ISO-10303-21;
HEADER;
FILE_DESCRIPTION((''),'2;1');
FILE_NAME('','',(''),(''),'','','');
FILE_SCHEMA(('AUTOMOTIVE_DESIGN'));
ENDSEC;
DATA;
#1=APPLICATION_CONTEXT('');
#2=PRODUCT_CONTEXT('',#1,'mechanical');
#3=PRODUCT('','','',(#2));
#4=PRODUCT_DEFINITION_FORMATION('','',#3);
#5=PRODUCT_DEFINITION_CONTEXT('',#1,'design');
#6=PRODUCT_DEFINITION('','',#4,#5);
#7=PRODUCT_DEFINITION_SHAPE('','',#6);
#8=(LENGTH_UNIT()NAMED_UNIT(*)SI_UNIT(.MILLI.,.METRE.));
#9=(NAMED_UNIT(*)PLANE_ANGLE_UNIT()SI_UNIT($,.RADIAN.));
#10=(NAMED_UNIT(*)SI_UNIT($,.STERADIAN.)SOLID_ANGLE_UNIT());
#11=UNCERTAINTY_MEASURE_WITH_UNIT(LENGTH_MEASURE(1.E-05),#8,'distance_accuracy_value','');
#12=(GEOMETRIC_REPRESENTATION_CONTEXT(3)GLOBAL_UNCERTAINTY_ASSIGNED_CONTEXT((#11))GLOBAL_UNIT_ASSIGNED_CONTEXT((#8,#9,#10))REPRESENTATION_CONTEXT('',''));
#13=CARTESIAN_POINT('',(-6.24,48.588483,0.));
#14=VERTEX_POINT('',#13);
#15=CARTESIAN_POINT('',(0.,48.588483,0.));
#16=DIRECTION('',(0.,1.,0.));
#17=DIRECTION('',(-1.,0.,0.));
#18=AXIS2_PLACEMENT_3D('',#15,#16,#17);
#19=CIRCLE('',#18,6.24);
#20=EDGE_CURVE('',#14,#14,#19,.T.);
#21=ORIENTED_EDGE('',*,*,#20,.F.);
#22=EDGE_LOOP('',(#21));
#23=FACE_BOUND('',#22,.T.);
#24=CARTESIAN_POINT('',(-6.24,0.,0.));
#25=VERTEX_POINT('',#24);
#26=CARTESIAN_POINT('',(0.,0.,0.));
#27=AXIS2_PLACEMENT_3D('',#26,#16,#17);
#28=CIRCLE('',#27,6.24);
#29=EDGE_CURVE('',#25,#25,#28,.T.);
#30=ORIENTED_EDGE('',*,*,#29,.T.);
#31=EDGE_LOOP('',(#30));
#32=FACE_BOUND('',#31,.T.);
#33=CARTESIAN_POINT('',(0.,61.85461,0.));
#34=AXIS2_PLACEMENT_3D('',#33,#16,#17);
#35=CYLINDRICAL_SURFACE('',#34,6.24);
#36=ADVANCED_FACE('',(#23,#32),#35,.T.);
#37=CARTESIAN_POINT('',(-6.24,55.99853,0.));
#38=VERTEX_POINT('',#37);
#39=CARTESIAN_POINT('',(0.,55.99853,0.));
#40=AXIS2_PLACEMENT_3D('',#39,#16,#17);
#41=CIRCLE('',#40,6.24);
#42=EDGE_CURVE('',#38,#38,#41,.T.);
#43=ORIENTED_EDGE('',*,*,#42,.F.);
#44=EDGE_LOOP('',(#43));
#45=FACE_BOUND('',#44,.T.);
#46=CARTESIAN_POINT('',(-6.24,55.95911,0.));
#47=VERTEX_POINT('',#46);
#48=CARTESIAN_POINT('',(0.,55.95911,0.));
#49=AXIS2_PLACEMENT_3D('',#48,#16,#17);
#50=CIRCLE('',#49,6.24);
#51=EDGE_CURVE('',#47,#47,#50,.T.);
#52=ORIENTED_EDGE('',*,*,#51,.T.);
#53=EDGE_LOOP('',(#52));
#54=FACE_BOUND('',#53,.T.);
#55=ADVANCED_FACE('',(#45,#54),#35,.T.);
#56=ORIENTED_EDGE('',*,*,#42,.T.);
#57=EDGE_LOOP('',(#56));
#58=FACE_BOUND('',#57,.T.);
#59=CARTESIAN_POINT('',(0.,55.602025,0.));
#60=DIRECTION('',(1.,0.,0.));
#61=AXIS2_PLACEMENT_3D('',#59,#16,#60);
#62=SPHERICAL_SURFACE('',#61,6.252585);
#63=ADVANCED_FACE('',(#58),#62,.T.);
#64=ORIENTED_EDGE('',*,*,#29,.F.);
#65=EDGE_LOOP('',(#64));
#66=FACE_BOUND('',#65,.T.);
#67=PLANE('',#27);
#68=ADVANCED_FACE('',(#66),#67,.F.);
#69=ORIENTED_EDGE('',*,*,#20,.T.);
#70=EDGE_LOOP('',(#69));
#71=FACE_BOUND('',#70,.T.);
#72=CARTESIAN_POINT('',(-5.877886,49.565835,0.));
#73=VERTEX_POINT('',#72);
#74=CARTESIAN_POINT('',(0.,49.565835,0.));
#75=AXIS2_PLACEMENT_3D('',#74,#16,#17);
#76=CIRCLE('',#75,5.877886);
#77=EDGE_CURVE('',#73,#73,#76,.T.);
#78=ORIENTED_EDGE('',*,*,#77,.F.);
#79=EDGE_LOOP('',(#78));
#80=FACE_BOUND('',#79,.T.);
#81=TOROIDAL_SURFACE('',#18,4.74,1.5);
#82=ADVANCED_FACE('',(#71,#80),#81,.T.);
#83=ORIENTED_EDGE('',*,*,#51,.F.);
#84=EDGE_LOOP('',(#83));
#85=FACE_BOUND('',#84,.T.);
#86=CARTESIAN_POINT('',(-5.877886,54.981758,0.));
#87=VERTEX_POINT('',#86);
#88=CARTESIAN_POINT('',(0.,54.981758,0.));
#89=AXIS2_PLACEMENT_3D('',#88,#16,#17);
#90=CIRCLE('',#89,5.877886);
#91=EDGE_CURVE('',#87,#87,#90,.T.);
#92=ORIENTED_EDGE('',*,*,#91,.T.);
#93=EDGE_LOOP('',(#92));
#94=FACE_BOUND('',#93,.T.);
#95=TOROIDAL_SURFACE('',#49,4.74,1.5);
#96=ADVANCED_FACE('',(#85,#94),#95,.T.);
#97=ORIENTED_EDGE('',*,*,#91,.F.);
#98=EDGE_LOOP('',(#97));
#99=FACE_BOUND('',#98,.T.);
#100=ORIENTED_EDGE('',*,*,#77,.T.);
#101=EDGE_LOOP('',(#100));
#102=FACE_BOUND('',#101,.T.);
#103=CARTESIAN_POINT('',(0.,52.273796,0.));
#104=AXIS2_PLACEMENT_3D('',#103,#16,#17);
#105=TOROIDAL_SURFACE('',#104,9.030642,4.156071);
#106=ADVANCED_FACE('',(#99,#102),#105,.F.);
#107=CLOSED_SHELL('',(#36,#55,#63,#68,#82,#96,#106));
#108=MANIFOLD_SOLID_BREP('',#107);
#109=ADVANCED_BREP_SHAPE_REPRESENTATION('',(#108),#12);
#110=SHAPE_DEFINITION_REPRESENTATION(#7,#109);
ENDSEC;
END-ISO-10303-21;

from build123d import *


with BuildPart() as part:
    # Sketch2 → Revolve1 (revolve)
    with BuildSketch(Plane.XY, mode=Mode.PRIVATE) as revolve1_sk:
        with BuildLine():
            Line((0, 0), (6.24, 0))
            Line((6.24, 0), (6.24, 48.588483168))
            ThreePointArc((6.24, 48.588483168), (6.146561159, 49.109622023), (5.877885725, 49.565834731))
            ThreePointArc((5.877885725, 49.565834731), (4.874570596, 52.273796489), (5.877885725, 54.981758248))
            ThreePointArc((5.877885725, 54.981758248), (6.146561159, 55.437970955), (6.24, 55.95910981))
            Line((6.24, 55.95910981), (6.24, 55.998530254))
            ThreePointArc((6.24, 55.998530254), (4.278763618, 60.161301491), (0, 61.854610207))
            Line((0, 61.854610207), (0, 0))
        make_face()
    revolve(revolve1_sk.sketch.rotate(Axis((0, 61.854610207, 0), (0, -1, 0)), 180), axis=Axis((0, 61.854610207, 0), (0, -1, 0)))


solid = part.part
